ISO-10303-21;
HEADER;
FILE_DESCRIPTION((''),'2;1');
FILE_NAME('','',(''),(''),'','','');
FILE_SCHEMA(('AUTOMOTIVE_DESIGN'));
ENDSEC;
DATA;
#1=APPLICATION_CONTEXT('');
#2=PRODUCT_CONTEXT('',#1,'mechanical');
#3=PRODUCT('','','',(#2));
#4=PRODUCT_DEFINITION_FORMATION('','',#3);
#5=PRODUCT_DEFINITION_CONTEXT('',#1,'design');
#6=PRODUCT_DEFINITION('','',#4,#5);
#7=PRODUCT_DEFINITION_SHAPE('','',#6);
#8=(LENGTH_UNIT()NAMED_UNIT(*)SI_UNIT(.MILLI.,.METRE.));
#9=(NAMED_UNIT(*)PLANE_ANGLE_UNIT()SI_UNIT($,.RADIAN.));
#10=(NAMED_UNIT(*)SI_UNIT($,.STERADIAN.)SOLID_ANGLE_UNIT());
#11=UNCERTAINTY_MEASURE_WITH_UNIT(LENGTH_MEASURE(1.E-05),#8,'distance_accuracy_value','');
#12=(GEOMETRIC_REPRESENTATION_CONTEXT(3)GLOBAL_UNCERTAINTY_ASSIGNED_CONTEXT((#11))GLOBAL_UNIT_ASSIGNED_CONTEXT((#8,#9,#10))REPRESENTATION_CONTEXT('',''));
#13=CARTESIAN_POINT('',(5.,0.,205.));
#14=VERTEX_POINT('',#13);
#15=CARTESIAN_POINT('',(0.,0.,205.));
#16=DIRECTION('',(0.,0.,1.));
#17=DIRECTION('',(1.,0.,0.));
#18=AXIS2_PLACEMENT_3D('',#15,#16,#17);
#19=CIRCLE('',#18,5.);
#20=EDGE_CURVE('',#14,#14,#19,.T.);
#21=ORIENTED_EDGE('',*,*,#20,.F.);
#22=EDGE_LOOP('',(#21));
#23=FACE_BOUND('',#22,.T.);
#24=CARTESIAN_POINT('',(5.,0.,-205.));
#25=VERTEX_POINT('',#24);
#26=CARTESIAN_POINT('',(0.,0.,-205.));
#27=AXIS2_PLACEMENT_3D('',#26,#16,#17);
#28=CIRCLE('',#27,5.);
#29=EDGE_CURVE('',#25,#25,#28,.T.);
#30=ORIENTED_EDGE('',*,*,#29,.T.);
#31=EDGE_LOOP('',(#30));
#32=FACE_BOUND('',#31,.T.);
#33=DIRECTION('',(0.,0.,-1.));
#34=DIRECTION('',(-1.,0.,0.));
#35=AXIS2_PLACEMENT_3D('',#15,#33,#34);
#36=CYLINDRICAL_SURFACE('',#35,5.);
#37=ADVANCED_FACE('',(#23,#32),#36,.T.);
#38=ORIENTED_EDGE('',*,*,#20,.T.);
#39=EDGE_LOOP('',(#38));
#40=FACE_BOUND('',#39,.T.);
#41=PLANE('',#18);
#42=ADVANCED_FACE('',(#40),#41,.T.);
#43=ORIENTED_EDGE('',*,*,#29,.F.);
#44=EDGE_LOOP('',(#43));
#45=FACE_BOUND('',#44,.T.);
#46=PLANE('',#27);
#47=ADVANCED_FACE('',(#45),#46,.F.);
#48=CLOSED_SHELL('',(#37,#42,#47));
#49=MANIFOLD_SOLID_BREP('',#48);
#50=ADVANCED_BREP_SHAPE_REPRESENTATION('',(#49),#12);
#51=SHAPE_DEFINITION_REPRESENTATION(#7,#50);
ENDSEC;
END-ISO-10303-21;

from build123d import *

# Parameters (mm, degrees)
SKETCH1_R           = 5
BOSS_EXTRUDE1_DEPTH = 205


with BuildPart() as part:
    # Sketch1 → Boss-Extrude1 (new body, symmetric)
    with BuildSketch(Plane.XY):
        Circle(SKETCH1_R)
    extrude(amount=BOSS_EXTRUDE1_DEPTH, both=True)


solid = part.part
